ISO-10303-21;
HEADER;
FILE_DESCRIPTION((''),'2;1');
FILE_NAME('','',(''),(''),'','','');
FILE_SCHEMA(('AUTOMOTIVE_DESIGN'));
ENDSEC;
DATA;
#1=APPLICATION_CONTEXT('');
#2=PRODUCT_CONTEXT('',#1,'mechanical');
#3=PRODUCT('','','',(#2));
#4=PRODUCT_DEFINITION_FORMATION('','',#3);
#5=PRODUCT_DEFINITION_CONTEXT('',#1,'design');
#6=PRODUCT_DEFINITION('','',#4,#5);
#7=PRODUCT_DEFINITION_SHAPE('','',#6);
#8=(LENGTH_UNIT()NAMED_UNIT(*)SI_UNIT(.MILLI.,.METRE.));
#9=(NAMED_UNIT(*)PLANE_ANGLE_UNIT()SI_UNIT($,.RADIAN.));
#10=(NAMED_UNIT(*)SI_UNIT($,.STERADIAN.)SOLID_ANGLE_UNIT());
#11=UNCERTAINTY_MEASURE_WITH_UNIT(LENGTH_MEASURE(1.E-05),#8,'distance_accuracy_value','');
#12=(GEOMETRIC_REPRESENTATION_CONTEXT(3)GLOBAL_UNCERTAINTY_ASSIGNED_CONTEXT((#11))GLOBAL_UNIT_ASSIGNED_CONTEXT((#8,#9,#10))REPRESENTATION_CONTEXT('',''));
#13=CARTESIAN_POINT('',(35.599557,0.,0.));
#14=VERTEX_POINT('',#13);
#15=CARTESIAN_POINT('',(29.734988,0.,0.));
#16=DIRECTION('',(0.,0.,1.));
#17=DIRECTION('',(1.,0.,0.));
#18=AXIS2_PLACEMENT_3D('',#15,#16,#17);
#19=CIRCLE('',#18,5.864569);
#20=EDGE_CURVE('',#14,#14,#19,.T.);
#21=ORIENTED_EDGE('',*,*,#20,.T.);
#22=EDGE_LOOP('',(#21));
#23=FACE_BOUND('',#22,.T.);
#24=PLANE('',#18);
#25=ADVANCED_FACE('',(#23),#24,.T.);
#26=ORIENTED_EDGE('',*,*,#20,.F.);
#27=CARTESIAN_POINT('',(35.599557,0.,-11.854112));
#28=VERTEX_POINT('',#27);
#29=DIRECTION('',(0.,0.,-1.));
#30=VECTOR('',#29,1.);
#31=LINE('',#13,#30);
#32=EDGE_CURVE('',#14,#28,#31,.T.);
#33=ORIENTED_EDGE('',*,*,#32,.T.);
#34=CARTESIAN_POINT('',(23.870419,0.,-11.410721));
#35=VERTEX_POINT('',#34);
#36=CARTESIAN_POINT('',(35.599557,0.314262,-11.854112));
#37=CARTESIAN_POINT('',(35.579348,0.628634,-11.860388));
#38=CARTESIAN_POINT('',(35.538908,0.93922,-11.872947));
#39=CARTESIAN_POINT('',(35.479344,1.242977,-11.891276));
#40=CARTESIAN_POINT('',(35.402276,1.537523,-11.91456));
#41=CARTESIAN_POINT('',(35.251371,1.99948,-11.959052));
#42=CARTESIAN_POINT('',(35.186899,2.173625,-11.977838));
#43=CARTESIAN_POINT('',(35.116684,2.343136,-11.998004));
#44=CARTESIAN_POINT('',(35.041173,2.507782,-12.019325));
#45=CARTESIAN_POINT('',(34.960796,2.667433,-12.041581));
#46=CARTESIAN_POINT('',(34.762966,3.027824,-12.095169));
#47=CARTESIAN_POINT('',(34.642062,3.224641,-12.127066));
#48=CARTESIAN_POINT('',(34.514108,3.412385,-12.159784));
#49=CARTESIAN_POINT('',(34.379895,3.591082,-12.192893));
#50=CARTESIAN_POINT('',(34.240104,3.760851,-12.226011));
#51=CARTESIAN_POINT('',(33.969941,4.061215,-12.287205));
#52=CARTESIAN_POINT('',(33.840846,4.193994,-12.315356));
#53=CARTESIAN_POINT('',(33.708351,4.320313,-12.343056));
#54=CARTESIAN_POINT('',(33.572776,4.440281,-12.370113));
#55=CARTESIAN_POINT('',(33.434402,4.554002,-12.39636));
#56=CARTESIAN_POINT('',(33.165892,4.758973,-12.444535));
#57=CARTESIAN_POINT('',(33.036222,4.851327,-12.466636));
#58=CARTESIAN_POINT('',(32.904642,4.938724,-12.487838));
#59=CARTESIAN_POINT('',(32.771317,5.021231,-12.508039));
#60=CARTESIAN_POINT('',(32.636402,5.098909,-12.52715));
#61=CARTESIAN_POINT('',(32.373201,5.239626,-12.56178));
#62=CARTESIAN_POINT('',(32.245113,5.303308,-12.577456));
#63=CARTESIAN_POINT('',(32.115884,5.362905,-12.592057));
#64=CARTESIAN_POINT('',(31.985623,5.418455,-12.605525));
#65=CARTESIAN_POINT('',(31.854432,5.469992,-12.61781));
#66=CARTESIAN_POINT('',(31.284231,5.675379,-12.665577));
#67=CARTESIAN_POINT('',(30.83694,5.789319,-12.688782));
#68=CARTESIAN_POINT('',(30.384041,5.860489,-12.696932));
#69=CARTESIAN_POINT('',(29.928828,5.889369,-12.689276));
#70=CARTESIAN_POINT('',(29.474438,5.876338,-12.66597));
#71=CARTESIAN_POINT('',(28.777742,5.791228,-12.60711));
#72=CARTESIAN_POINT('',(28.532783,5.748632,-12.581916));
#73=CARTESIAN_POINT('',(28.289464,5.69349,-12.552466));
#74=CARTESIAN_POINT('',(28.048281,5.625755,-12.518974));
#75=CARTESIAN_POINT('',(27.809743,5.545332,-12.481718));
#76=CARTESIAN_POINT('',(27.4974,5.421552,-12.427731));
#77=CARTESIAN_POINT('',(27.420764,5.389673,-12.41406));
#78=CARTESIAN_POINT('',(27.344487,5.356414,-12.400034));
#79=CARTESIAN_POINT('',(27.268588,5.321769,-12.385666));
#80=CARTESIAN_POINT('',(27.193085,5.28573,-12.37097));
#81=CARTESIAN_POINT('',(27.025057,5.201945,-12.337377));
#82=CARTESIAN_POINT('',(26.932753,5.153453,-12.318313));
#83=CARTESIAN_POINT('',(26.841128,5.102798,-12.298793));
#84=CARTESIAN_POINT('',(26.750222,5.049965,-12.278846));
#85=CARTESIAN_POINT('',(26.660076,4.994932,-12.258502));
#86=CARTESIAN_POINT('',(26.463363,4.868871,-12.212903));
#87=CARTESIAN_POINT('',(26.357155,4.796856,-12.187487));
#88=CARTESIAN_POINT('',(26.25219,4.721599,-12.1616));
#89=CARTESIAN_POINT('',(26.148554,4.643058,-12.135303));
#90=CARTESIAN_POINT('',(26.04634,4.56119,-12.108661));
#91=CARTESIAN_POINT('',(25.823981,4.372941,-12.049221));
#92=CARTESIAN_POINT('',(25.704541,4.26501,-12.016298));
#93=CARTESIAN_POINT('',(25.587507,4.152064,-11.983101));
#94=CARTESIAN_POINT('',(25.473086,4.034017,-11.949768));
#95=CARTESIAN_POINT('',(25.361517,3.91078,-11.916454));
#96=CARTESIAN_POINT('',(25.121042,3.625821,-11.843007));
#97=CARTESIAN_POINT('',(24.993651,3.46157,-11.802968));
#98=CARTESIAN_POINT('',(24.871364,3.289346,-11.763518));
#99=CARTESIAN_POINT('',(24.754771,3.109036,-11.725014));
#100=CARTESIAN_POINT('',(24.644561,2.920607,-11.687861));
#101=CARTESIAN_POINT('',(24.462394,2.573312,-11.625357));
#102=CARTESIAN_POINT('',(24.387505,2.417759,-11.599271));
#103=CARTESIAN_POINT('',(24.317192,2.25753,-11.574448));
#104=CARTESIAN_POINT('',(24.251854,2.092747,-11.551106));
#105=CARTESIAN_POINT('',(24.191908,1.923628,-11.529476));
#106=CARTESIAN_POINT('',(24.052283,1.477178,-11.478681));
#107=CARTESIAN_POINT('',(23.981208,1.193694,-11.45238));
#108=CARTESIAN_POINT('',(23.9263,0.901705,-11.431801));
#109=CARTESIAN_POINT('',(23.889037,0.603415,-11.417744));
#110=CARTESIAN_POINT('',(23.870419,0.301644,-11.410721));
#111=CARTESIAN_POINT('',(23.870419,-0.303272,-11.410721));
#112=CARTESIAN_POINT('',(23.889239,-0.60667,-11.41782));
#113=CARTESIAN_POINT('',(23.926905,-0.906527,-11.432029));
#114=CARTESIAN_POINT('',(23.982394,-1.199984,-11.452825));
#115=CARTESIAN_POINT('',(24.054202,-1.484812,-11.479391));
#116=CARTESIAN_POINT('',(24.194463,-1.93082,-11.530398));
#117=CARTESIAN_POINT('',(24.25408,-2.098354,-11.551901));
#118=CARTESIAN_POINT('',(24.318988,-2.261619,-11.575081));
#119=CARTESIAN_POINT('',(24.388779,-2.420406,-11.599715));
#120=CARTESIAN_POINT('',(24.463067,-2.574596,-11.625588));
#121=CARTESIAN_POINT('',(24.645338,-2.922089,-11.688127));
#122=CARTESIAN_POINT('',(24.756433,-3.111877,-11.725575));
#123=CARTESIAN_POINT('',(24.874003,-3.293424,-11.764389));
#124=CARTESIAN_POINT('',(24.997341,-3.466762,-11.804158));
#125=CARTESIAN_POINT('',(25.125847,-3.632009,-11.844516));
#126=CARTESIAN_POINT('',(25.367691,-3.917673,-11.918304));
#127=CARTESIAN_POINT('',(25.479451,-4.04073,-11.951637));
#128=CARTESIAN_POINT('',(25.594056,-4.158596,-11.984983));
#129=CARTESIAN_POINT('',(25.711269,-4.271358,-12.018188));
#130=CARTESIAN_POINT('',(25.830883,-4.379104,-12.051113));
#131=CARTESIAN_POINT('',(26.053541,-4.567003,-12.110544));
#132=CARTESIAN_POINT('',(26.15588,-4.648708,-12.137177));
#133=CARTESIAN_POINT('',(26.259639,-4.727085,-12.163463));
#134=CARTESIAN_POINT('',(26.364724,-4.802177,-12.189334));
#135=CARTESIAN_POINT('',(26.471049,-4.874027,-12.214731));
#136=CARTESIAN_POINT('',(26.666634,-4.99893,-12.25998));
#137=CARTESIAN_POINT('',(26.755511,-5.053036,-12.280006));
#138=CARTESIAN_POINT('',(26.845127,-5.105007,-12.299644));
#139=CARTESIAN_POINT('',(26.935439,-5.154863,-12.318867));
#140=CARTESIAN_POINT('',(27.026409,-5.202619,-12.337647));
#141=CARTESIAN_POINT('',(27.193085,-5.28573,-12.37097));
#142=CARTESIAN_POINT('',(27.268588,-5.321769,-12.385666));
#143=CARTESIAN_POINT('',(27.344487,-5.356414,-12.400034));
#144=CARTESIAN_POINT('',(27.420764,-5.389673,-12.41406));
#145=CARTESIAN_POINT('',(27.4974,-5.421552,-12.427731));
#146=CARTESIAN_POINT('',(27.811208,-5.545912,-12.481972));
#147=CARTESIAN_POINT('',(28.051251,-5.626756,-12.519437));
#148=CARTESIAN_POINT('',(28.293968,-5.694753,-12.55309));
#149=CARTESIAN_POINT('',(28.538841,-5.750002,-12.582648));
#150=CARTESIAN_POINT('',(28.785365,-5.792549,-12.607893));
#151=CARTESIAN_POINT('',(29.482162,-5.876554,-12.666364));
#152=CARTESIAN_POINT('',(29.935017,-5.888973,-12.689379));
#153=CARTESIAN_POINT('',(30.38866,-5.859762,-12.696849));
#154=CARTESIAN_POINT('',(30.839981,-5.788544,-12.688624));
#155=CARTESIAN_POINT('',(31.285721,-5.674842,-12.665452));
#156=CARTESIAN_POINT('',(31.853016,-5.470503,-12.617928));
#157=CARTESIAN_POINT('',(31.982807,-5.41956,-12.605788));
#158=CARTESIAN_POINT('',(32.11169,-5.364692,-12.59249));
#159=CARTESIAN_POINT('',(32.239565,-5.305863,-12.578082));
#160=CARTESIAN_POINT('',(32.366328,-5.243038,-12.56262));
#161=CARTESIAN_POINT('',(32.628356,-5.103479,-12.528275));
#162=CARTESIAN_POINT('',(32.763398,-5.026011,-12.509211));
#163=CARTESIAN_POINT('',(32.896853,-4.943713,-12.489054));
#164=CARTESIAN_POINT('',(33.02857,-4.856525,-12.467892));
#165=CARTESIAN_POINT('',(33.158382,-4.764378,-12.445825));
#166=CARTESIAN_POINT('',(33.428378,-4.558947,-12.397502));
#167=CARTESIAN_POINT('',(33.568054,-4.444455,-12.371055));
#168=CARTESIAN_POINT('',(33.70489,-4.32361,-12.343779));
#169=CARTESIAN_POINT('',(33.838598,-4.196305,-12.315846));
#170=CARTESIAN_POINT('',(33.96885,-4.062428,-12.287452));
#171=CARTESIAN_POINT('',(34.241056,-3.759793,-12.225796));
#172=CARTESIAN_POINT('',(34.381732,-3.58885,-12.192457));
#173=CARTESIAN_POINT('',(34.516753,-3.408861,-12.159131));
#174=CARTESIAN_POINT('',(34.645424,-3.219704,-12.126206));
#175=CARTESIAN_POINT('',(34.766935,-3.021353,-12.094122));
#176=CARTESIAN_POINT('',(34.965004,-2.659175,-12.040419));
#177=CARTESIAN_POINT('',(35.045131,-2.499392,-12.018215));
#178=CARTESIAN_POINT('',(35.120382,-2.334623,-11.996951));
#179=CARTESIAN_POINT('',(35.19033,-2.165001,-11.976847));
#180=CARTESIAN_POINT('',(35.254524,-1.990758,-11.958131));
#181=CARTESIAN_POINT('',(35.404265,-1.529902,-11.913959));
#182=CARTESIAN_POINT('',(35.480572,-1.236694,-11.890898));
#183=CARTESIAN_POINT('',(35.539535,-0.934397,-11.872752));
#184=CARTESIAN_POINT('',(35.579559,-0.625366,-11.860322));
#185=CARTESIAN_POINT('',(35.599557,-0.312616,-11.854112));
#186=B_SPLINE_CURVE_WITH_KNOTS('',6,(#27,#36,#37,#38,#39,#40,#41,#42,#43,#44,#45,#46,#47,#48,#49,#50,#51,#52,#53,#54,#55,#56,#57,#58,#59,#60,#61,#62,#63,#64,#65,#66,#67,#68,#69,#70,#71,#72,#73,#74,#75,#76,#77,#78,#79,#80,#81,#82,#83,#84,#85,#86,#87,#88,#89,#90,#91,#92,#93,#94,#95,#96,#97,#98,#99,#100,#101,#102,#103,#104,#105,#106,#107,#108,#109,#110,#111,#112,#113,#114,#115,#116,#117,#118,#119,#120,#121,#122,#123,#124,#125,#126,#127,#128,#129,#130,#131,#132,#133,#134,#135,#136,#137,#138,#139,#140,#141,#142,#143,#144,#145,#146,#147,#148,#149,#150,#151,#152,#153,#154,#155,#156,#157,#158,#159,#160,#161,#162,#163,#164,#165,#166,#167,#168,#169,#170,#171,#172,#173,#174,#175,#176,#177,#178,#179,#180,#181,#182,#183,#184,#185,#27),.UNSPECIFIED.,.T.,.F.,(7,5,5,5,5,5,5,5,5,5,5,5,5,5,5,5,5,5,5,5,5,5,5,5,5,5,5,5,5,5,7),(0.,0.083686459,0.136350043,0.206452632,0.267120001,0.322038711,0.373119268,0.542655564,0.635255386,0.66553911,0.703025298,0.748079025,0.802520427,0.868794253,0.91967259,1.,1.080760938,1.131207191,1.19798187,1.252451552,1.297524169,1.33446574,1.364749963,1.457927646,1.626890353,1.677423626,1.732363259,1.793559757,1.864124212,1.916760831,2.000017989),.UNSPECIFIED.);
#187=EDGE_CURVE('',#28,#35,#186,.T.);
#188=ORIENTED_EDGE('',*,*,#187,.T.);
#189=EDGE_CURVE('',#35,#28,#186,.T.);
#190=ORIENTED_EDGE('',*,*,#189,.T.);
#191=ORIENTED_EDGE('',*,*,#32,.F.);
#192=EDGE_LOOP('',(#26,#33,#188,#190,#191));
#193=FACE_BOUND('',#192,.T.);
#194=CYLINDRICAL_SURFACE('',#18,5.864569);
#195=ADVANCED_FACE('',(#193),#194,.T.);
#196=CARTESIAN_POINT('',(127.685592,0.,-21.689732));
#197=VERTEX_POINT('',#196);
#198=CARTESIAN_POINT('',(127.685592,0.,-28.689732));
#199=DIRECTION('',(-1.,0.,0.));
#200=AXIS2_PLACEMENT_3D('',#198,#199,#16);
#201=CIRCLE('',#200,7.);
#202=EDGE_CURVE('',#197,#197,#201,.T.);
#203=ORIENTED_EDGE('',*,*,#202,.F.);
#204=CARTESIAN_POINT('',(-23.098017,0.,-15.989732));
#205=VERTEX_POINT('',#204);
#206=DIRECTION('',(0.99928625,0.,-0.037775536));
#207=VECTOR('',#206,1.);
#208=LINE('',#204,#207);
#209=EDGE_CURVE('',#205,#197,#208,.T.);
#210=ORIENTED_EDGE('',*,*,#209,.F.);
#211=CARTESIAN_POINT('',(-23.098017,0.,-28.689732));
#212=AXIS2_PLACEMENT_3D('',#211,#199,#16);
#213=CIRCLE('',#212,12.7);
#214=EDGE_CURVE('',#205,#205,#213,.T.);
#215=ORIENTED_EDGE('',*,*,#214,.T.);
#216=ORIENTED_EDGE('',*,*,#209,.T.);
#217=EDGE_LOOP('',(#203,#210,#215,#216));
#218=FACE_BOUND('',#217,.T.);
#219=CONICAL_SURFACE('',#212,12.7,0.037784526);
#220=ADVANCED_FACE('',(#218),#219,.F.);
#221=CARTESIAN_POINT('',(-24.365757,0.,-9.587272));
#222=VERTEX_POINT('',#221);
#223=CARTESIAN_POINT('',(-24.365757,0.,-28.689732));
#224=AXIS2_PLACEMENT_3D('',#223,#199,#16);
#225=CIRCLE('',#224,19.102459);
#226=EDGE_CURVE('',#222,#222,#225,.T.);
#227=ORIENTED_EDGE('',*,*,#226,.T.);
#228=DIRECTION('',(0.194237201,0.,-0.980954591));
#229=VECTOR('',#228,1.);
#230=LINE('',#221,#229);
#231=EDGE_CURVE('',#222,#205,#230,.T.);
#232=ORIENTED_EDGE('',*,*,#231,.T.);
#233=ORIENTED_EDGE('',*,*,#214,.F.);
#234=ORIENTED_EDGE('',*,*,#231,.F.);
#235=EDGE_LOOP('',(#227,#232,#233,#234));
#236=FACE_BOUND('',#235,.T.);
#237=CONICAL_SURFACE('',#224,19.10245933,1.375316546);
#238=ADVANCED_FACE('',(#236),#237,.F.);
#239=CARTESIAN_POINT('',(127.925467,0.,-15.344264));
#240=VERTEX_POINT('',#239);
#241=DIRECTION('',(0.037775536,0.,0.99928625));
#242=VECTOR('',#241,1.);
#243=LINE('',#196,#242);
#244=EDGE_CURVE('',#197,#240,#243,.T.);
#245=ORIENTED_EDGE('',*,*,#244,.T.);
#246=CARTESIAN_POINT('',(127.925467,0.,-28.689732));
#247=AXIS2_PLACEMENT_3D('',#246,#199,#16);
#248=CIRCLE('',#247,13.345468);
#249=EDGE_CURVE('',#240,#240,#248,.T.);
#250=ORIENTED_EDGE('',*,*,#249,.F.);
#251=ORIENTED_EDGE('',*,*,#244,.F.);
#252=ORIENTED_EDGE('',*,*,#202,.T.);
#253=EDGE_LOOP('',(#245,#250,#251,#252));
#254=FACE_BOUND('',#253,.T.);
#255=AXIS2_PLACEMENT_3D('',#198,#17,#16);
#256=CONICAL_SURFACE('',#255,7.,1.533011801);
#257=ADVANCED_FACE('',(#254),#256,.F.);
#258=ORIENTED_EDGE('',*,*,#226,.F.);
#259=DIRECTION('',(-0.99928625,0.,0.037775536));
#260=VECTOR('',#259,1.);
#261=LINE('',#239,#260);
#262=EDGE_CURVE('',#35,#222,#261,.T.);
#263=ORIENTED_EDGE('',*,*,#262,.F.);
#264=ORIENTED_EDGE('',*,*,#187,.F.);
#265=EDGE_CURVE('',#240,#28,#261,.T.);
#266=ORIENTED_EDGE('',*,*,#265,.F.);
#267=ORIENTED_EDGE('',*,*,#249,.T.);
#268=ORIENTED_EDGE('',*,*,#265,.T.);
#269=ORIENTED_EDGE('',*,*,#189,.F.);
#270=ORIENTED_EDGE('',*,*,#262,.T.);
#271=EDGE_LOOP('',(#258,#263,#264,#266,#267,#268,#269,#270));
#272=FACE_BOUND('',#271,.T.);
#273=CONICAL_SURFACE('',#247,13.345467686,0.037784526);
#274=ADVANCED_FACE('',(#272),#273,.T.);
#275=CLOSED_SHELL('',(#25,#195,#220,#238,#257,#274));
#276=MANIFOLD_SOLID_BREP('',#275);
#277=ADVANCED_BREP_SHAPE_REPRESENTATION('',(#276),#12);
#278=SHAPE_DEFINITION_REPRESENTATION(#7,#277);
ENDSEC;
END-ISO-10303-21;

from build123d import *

# Parameters (mm, degrees)
F2_R = 5.8645690574


with BuildPart() as f1:
    # F0 (on Front) → F1 (revolve)
    with BuildSketch(Plane.XZ):
        Polygon((0, -10.5083593323), (-24.3657573125, -9.5872723704), (-23.0980168997, -15.9897317007), (127.6855924946, -21.6897317007), (127.9254671465, -15.3442640149), align=None)
    revolve(axis=Axis((52.2445109597, 0, -28.6897317007), (-1, 0, 0)))

    # F2 (on Top) → F3 (join, up to the next surface of F1)
    with BuildSketch(Plane.XY):
        with Locations((29.7349877656, 0)):
            Circle(F2_R)
    extrude(until=Until.NEXT, dir=(0, 0, -1))


solid = f1.part
